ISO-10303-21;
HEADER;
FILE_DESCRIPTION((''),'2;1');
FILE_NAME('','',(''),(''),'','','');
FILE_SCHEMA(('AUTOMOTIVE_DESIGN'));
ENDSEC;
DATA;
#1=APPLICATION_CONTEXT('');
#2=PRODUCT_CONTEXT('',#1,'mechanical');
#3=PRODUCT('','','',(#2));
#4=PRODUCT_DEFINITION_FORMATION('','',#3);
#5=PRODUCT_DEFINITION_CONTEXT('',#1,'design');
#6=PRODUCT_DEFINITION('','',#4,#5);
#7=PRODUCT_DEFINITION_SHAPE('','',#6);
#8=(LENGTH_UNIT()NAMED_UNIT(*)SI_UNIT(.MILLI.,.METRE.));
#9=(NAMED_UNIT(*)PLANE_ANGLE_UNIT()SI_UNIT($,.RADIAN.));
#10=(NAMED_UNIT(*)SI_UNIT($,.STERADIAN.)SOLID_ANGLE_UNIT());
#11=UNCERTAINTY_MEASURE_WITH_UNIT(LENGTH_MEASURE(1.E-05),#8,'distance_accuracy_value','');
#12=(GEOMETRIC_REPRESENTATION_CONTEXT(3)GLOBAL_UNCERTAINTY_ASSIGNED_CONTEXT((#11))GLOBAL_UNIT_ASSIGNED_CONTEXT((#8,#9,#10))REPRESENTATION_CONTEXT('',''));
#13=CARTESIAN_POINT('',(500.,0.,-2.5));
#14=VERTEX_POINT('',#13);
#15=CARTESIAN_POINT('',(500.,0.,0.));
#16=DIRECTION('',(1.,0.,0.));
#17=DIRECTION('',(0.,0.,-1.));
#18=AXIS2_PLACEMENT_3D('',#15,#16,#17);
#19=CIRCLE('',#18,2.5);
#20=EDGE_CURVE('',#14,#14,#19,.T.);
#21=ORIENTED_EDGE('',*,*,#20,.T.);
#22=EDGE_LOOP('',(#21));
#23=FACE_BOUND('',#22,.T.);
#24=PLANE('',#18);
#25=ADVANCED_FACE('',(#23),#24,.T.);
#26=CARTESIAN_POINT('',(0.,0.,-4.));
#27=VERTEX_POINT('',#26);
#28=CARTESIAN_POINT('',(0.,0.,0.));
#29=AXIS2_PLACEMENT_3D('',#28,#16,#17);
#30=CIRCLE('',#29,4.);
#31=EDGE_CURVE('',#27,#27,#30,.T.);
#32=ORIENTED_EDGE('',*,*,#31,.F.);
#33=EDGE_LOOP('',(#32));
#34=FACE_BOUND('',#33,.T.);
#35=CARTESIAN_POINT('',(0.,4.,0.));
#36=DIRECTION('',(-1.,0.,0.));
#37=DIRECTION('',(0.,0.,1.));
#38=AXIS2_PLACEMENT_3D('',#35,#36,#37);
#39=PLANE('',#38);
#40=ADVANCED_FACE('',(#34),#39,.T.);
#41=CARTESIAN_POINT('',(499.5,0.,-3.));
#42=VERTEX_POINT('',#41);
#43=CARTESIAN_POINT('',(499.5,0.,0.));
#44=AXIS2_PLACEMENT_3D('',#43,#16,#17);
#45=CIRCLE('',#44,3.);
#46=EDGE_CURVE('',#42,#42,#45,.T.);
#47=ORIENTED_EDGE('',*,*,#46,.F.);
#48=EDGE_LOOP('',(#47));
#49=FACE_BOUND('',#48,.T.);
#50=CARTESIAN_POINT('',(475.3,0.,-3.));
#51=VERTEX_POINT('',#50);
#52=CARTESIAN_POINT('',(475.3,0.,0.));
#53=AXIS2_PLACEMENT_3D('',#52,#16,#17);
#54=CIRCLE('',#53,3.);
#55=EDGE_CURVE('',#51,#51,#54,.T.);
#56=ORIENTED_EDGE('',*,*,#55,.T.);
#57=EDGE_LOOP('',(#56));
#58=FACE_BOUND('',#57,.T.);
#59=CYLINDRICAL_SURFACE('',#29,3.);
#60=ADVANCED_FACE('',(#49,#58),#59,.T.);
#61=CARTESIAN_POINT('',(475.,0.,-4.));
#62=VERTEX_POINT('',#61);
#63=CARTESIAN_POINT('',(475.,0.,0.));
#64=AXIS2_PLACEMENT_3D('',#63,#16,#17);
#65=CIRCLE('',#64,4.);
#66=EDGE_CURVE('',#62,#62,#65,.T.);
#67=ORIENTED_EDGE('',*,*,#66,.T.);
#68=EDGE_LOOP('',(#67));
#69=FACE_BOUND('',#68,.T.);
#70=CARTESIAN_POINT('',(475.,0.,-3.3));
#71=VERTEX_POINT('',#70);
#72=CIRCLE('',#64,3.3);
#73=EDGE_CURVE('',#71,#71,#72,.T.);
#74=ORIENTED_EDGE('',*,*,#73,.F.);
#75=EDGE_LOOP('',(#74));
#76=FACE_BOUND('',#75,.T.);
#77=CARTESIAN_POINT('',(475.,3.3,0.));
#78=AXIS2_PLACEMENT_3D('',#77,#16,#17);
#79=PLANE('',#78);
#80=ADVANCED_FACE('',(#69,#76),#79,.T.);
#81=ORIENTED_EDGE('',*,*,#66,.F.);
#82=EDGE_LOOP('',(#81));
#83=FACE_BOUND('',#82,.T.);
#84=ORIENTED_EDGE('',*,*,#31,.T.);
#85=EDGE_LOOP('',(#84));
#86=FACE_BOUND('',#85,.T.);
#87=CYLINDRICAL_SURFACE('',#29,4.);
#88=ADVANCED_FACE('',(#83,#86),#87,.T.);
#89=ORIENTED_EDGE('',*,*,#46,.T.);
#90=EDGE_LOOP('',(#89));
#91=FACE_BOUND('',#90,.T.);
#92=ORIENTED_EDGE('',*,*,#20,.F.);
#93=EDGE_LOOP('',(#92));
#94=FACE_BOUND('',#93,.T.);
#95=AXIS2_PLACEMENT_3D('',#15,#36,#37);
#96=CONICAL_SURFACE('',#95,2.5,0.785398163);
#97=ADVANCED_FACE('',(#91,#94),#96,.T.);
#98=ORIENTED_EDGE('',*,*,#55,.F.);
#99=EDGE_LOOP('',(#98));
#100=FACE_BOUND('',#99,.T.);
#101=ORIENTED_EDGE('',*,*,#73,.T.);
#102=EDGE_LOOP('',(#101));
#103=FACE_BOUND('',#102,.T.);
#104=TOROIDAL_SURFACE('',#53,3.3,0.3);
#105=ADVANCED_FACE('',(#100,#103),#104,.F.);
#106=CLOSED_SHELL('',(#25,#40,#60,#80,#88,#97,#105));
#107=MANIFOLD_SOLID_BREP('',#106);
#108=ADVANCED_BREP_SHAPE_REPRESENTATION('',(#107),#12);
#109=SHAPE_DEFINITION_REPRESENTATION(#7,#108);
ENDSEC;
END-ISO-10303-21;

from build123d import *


with BuildPart() as part:
    # Sketch1 → Revolve1 (revolve)
    with BuildSketch(Plane.XY, mode=Mode.PRIVATE) as revolve1_sk:
        with BuildLine():
            Line((0, 4), (0, 0))
            Line((0, 0), (500, 0))
            Line((500, 0), (500, 2.5))
            Line((500, 2.5), (499.5, 3))
            Line((499.5, 3), (475.3, 3))
            ThreePointArc((475.3, 3), (475.087867966, 3.087867966), (475, 3.3))
            Line((475, 3.3), (475, 4))
            Line((475, 4), (0, 4))
        make_face()
    revolve(revolve1_sk.sketch.rotate(Axis((0, 0, 0), (1, 0, 0)), 270), axis=Axis((0, 0, 0), (1, 0, 0)))


solid = part.part
